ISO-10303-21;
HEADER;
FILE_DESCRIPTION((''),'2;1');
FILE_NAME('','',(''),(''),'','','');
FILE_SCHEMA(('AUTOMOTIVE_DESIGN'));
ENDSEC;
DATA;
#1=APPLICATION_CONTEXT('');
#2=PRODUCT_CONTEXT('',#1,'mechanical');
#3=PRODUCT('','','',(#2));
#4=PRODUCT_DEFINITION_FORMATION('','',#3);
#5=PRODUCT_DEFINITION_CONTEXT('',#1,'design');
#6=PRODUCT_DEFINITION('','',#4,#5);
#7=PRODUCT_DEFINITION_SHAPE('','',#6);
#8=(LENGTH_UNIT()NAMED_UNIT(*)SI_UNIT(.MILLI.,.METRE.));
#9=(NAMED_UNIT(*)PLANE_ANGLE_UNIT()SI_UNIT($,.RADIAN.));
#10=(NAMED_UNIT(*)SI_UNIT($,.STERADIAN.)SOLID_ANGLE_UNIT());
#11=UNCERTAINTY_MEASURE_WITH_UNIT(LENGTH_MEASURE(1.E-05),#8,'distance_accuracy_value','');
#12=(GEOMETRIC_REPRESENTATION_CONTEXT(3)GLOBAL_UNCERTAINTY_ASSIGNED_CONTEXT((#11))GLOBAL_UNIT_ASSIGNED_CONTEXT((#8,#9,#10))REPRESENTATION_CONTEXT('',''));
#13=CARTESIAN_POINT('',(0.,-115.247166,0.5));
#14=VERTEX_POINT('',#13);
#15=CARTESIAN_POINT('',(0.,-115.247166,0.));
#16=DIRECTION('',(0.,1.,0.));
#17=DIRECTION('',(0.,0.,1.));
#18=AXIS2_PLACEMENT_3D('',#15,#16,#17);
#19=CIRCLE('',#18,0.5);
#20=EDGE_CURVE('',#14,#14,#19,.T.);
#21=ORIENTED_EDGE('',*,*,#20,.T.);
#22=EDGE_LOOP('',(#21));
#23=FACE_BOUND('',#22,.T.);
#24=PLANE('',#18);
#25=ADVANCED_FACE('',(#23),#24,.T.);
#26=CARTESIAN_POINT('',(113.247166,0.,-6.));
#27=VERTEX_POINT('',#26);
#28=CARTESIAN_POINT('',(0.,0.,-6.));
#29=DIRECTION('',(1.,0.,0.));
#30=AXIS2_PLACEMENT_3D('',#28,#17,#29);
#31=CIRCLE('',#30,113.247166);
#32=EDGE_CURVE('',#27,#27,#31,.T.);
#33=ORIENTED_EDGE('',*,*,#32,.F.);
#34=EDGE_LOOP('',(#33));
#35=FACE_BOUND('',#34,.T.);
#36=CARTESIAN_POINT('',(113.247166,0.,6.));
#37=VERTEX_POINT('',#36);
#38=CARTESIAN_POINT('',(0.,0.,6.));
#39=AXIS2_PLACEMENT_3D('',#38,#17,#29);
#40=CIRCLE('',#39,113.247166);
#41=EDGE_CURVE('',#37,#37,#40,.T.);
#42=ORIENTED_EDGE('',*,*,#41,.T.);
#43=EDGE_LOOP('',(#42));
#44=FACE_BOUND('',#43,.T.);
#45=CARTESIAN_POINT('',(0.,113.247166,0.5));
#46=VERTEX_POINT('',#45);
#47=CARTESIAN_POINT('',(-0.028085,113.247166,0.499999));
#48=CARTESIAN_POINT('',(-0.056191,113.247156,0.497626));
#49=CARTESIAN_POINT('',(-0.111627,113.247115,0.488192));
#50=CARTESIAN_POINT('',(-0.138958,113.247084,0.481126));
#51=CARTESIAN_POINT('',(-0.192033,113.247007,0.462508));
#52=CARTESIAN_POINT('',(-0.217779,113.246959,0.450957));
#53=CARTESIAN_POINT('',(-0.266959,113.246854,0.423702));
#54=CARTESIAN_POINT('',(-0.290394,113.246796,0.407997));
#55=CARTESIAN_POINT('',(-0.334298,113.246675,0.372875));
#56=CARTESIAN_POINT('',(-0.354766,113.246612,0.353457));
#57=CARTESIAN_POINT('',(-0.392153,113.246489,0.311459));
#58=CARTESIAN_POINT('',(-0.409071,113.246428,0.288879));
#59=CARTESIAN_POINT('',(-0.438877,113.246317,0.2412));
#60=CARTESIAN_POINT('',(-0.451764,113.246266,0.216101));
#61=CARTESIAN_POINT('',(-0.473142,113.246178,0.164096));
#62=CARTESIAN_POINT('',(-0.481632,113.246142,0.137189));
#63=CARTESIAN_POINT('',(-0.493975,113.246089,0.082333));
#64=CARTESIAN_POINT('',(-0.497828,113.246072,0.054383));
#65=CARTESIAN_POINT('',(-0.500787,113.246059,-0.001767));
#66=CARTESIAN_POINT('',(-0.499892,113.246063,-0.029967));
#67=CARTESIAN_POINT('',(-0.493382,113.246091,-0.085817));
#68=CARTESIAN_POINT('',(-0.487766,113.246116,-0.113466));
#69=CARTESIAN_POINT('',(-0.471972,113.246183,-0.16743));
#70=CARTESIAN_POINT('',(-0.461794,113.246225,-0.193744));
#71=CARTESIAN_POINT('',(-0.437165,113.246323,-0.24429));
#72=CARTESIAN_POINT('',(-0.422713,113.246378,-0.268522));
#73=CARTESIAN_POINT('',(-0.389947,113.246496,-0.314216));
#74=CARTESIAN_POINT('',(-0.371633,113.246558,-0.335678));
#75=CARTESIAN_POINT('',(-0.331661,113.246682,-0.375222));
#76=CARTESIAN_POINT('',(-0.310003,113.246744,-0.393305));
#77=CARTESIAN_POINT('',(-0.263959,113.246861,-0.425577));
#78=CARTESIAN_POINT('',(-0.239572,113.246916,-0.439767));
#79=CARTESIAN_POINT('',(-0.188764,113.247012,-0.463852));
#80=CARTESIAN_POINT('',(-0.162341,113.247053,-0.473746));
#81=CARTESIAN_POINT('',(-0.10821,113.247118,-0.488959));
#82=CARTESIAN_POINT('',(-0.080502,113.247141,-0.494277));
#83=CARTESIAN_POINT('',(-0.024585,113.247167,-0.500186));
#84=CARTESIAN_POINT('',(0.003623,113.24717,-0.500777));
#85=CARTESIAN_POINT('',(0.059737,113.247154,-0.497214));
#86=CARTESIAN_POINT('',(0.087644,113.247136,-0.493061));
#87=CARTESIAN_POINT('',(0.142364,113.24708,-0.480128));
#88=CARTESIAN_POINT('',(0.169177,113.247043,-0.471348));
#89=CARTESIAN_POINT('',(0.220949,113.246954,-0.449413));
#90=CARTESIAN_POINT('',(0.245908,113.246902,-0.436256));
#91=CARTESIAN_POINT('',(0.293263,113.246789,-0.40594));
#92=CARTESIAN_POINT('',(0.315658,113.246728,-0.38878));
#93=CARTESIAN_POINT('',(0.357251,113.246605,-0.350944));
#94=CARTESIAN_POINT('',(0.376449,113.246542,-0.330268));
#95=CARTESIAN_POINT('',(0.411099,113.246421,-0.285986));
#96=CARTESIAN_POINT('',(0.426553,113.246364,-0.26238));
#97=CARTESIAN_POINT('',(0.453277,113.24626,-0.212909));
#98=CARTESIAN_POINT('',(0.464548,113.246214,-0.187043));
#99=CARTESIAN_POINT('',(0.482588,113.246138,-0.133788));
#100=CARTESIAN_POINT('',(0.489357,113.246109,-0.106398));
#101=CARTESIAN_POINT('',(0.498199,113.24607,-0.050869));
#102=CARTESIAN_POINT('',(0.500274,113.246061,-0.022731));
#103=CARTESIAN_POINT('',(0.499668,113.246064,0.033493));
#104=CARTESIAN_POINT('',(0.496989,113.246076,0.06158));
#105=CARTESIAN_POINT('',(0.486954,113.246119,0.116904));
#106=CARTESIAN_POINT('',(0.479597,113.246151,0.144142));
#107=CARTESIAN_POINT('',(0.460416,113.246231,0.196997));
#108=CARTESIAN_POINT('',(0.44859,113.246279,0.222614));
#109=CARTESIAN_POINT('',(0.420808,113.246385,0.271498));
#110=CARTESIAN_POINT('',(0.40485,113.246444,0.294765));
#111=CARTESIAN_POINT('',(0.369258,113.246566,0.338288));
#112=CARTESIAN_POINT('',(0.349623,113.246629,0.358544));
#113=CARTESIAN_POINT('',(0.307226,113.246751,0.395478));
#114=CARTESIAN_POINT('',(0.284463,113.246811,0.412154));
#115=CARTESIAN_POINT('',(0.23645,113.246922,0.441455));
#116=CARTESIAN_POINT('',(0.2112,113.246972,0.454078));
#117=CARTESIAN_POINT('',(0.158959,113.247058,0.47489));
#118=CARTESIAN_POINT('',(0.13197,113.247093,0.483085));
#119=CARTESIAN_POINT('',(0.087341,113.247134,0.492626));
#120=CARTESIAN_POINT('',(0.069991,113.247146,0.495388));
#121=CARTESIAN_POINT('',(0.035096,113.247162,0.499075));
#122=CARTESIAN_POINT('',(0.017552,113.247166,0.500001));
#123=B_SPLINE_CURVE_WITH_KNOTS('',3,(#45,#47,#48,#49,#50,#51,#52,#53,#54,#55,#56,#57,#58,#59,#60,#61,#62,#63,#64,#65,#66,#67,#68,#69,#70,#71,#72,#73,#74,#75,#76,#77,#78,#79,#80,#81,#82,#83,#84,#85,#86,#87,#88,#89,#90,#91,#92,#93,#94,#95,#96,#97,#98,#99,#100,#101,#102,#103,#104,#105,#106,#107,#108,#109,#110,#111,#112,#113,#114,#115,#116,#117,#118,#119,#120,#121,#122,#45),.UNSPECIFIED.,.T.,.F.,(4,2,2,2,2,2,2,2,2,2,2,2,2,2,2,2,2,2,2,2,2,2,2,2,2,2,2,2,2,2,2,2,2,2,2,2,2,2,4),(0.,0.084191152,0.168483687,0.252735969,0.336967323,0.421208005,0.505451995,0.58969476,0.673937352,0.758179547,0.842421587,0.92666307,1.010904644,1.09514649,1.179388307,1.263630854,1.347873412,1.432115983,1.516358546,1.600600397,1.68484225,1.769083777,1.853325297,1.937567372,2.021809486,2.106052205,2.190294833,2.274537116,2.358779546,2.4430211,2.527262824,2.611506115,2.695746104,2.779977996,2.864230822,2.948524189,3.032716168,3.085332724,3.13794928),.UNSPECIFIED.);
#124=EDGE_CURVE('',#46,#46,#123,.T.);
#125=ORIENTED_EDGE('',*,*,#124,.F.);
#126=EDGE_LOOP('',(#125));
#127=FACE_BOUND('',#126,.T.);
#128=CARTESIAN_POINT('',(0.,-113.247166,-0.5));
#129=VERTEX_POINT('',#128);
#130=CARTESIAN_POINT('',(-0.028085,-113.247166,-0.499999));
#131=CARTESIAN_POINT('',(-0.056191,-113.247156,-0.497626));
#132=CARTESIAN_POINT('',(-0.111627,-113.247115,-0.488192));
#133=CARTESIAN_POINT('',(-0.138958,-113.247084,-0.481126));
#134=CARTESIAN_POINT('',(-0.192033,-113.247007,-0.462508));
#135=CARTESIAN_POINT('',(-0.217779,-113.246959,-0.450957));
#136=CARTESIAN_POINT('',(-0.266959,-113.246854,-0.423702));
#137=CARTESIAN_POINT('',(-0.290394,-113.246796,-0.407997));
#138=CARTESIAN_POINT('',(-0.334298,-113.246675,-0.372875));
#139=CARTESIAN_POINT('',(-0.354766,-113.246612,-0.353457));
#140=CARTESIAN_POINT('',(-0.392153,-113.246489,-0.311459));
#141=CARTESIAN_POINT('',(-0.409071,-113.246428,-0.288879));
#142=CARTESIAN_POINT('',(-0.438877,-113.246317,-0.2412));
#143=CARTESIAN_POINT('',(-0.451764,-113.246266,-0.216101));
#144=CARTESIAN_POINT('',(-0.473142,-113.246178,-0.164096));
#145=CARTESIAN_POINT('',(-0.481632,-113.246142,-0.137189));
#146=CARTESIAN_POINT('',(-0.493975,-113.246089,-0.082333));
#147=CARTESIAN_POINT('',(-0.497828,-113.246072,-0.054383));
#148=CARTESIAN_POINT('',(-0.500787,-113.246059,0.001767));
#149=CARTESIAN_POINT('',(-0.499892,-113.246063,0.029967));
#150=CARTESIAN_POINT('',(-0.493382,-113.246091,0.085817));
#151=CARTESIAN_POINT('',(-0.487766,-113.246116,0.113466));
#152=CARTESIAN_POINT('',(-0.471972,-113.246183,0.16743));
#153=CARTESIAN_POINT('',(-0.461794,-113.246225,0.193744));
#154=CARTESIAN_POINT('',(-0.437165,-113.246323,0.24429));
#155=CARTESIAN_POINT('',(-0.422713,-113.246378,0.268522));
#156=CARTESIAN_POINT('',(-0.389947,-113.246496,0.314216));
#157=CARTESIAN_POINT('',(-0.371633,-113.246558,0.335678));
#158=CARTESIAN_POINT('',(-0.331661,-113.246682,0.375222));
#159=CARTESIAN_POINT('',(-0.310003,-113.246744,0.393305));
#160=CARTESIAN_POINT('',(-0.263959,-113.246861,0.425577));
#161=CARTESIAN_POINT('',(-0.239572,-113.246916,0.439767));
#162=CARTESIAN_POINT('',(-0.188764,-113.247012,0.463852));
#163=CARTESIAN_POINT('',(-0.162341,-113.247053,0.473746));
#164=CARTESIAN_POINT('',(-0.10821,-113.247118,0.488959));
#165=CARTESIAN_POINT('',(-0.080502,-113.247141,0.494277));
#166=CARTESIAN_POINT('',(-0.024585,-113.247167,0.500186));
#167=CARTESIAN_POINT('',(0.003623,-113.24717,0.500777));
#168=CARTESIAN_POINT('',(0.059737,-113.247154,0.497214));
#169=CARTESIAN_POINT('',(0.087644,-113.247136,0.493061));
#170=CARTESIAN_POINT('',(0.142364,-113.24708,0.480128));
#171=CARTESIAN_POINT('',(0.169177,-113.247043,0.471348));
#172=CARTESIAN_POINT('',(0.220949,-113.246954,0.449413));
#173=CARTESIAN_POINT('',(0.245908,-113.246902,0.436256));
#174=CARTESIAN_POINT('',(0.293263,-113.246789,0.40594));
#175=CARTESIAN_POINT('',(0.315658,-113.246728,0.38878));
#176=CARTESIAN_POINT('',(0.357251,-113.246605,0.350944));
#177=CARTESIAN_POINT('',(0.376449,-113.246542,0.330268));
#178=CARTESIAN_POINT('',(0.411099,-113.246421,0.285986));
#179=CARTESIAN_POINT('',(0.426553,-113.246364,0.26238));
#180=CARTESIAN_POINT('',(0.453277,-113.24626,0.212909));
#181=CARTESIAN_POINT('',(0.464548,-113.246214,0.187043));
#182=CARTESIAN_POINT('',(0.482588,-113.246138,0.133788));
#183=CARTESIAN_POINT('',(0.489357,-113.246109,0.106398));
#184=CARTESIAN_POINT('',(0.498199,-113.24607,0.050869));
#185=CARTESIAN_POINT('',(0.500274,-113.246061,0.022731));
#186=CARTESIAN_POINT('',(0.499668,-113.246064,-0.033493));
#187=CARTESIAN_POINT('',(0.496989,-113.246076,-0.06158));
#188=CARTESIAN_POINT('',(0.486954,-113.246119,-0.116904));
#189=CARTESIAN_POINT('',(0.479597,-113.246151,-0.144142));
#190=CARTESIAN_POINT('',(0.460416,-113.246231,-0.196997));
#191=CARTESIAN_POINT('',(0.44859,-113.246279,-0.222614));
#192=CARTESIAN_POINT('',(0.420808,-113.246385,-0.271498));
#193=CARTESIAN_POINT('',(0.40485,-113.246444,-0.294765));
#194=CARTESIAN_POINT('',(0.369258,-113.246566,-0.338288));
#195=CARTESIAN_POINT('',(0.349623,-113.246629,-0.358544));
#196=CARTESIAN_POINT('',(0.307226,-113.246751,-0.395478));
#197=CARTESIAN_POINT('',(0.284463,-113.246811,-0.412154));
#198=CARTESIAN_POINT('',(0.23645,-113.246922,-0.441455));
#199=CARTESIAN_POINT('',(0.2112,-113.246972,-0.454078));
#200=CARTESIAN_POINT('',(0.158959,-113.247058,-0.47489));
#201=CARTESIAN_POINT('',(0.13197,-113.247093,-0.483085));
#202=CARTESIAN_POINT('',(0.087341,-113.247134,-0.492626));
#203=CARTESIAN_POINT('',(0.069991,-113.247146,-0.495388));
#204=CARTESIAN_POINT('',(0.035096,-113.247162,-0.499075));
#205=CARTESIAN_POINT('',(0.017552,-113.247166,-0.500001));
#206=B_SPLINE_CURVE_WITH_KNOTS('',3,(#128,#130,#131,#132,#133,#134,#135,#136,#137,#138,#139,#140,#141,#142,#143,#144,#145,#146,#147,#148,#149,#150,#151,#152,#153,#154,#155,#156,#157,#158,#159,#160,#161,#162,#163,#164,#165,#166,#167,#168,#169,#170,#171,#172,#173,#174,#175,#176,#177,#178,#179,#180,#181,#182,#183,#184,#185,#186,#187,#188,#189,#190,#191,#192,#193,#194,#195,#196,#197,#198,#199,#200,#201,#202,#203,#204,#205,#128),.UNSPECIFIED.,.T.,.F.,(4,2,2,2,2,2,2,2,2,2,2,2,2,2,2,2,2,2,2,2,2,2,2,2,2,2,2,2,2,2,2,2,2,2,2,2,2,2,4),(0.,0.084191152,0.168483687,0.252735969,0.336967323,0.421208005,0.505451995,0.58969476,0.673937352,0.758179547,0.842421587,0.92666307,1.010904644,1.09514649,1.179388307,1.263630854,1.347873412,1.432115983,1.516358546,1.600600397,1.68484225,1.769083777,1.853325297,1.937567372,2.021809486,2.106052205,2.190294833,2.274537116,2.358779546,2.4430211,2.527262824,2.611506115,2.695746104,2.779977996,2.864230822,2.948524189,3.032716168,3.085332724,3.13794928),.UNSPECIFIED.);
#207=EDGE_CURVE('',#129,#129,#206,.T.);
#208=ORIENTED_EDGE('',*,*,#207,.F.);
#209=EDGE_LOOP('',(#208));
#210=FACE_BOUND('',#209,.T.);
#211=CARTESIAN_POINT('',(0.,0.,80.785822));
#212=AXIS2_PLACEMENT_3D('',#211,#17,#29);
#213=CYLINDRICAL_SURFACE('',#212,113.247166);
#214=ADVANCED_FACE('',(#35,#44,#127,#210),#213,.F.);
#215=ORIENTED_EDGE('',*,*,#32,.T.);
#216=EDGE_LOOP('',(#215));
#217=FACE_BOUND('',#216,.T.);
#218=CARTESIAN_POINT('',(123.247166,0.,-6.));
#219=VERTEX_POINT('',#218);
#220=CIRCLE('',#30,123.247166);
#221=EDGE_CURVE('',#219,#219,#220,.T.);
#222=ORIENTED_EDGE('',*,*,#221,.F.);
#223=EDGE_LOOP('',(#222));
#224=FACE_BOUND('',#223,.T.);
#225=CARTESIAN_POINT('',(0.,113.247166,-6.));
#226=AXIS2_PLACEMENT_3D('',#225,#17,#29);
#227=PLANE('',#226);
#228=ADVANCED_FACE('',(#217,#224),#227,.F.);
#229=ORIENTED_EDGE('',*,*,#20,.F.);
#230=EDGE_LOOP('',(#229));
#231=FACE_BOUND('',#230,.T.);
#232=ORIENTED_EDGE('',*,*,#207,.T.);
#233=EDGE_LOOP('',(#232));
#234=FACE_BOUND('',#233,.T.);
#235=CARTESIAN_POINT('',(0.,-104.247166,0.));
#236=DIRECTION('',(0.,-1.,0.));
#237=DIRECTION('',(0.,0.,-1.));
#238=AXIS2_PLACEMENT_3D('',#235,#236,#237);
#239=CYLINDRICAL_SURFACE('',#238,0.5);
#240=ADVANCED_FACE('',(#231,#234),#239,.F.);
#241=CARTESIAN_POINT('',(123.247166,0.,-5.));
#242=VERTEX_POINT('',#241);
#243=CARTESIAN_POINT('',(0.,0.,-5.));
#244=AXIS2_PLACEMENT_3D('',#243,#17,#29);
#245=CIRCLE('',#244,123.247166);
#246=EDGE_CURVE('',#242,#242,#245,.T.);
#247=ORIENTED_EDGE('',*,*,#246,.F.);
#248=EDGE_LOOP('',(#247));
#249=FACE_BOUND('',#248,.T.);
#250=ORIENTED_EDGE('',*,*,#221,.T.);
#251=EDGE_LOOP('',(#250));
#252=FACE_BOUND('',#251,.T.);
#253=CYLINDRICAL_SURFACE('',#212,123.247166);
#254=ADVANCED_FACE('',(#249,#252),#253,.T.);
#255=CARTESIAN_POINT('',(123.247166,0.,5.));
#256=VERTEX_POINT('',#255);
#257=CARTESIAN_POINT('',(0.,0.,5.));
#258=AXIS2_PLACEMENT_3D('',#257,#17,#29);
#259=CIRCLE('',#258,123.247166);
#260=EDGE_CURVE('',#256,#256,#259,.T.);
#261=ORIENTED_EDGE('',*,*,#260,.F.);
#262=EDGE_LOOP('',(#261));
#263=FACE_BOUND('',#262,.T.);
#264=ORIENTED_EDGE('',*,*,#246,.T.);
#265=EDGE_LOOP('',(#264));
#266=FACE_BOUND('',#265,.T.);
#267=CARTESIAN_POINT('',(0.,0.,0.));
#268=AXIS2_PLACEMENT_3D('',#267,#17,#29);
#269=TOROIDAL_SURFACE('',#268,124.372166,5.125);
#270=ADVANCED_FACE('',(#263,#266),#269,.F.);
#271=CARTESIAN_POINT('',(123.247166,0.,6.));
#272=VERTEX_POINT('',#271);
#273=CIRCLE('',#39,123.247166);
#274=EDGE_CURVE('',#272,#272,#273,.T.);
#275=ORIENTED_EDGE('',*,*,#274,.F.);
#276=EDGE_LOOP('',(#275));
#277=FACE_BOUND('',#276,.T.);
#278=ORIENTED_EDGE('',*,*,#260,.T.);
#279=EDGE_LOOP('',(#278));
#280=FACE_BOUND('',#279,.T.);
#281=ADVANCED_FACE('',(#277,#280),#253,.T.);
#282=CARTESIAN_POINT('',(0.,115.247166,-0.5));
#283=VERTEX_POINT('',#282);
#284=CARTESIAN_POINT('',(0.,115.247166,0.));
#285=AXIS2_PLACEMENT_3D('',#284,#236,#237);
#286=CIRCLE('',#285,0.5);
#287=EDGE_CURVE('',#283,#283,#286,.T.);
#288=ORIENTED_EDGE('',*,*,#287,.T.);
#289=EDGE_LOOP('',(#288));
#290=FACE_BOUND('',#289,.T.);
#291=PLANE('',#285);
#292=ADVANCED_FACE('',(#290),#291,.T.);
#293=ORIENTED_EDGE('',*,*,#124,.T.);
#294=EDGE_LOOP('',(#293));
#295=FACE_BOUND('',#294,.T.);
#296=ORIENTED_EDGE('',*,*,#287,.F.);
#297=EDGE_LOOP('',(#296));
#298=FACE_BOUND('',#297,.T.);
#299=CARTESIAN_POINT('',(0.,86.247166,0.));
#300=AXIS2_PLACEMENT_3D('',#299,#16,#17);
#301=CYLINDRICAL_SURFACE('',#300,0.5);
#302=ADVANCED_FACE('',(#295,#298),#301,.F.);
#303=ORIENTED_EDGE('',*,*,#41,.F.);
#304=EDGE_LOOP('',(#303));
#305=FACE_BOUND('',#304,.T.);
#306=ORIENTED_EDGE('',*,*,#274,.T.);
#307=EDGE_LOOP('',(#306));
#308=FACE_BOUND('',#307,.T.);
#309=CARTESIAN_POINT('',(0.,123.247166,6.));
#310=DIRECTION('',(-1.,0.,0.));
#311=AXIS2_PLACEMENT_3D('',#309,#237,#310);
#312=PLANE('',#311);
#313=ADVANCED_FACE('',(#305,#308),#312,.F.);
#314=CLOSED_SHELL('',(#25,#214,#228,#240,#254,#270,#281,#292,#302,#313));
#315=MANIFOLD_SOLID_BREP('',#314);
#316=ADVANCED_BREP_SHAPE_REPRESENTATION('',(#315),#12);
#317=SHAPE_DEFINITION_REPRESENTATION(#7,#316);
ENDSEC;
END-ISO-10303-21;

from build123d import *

# Parameters (mm, degrees)
SKETCH3_R          = 0.5
CUT_EXTRUDE1_DEPTH = 29
SKETCH4_R          = 0.5
CUT_EXTRUDE2_DEPTH = 11


with BuildPart() as part:
    # Sketch1 → Revolve1 (revolve)
    with BuildSketch(Plane(origin=(0, 0, 0), x_dir=(0, 0, -1), z_dir=(1, 0, 0))):
        with BuildLine():
            Line((0.5, 113.24716621), (6, 113.24716621))
            Line((6, 113.24716621), (6, 123.24716621))
            Line((6, 123.24716621), (5, 123.24716621))
            ThreePointArc((5, 123.24716621), (0, 119.24716621), (-5, 123.24716621))
            Line((-5, 123.24716621), (-6, 123.24716621))
            Line((-6, 123.24716621), (-6, 113.24716621))
            Line((-6, 113.24716621), (-0.5, 113.24716621))
            Line((-0.5, 113.24716621), (0.5, 113.24716621))
        make_face()
    revolve(axis=Axis((0, 0, 80.785821763), (0, 0, -1)))

    # Sketch3 → Cut-Extrude1 (cut)
    with BuildSketch(Plane(origin=(0, 115.24716621, 0), x_dir=(-1, 0, 0), z_dir=(0, -1, 0))):
        Circle(SKETCH3_R)
    extrude(amount=CUT_EXTRUDE1_DEPTH, mode=Mode.SUBTRACT)

    # Sketch4 → Cut-Extrude2 (cut)
    with BuildSketch(Plane(origin=(0, -115.24716621, 0), x_dir=(1, 0, 0), z_dir=(0, 1, 0))):
        Circle(SKETCH4_R)
    extrude(amount=CUT_EXTRUDE2_DEPTH, mode=Mode.SUBTRACT)


solid = part.part
